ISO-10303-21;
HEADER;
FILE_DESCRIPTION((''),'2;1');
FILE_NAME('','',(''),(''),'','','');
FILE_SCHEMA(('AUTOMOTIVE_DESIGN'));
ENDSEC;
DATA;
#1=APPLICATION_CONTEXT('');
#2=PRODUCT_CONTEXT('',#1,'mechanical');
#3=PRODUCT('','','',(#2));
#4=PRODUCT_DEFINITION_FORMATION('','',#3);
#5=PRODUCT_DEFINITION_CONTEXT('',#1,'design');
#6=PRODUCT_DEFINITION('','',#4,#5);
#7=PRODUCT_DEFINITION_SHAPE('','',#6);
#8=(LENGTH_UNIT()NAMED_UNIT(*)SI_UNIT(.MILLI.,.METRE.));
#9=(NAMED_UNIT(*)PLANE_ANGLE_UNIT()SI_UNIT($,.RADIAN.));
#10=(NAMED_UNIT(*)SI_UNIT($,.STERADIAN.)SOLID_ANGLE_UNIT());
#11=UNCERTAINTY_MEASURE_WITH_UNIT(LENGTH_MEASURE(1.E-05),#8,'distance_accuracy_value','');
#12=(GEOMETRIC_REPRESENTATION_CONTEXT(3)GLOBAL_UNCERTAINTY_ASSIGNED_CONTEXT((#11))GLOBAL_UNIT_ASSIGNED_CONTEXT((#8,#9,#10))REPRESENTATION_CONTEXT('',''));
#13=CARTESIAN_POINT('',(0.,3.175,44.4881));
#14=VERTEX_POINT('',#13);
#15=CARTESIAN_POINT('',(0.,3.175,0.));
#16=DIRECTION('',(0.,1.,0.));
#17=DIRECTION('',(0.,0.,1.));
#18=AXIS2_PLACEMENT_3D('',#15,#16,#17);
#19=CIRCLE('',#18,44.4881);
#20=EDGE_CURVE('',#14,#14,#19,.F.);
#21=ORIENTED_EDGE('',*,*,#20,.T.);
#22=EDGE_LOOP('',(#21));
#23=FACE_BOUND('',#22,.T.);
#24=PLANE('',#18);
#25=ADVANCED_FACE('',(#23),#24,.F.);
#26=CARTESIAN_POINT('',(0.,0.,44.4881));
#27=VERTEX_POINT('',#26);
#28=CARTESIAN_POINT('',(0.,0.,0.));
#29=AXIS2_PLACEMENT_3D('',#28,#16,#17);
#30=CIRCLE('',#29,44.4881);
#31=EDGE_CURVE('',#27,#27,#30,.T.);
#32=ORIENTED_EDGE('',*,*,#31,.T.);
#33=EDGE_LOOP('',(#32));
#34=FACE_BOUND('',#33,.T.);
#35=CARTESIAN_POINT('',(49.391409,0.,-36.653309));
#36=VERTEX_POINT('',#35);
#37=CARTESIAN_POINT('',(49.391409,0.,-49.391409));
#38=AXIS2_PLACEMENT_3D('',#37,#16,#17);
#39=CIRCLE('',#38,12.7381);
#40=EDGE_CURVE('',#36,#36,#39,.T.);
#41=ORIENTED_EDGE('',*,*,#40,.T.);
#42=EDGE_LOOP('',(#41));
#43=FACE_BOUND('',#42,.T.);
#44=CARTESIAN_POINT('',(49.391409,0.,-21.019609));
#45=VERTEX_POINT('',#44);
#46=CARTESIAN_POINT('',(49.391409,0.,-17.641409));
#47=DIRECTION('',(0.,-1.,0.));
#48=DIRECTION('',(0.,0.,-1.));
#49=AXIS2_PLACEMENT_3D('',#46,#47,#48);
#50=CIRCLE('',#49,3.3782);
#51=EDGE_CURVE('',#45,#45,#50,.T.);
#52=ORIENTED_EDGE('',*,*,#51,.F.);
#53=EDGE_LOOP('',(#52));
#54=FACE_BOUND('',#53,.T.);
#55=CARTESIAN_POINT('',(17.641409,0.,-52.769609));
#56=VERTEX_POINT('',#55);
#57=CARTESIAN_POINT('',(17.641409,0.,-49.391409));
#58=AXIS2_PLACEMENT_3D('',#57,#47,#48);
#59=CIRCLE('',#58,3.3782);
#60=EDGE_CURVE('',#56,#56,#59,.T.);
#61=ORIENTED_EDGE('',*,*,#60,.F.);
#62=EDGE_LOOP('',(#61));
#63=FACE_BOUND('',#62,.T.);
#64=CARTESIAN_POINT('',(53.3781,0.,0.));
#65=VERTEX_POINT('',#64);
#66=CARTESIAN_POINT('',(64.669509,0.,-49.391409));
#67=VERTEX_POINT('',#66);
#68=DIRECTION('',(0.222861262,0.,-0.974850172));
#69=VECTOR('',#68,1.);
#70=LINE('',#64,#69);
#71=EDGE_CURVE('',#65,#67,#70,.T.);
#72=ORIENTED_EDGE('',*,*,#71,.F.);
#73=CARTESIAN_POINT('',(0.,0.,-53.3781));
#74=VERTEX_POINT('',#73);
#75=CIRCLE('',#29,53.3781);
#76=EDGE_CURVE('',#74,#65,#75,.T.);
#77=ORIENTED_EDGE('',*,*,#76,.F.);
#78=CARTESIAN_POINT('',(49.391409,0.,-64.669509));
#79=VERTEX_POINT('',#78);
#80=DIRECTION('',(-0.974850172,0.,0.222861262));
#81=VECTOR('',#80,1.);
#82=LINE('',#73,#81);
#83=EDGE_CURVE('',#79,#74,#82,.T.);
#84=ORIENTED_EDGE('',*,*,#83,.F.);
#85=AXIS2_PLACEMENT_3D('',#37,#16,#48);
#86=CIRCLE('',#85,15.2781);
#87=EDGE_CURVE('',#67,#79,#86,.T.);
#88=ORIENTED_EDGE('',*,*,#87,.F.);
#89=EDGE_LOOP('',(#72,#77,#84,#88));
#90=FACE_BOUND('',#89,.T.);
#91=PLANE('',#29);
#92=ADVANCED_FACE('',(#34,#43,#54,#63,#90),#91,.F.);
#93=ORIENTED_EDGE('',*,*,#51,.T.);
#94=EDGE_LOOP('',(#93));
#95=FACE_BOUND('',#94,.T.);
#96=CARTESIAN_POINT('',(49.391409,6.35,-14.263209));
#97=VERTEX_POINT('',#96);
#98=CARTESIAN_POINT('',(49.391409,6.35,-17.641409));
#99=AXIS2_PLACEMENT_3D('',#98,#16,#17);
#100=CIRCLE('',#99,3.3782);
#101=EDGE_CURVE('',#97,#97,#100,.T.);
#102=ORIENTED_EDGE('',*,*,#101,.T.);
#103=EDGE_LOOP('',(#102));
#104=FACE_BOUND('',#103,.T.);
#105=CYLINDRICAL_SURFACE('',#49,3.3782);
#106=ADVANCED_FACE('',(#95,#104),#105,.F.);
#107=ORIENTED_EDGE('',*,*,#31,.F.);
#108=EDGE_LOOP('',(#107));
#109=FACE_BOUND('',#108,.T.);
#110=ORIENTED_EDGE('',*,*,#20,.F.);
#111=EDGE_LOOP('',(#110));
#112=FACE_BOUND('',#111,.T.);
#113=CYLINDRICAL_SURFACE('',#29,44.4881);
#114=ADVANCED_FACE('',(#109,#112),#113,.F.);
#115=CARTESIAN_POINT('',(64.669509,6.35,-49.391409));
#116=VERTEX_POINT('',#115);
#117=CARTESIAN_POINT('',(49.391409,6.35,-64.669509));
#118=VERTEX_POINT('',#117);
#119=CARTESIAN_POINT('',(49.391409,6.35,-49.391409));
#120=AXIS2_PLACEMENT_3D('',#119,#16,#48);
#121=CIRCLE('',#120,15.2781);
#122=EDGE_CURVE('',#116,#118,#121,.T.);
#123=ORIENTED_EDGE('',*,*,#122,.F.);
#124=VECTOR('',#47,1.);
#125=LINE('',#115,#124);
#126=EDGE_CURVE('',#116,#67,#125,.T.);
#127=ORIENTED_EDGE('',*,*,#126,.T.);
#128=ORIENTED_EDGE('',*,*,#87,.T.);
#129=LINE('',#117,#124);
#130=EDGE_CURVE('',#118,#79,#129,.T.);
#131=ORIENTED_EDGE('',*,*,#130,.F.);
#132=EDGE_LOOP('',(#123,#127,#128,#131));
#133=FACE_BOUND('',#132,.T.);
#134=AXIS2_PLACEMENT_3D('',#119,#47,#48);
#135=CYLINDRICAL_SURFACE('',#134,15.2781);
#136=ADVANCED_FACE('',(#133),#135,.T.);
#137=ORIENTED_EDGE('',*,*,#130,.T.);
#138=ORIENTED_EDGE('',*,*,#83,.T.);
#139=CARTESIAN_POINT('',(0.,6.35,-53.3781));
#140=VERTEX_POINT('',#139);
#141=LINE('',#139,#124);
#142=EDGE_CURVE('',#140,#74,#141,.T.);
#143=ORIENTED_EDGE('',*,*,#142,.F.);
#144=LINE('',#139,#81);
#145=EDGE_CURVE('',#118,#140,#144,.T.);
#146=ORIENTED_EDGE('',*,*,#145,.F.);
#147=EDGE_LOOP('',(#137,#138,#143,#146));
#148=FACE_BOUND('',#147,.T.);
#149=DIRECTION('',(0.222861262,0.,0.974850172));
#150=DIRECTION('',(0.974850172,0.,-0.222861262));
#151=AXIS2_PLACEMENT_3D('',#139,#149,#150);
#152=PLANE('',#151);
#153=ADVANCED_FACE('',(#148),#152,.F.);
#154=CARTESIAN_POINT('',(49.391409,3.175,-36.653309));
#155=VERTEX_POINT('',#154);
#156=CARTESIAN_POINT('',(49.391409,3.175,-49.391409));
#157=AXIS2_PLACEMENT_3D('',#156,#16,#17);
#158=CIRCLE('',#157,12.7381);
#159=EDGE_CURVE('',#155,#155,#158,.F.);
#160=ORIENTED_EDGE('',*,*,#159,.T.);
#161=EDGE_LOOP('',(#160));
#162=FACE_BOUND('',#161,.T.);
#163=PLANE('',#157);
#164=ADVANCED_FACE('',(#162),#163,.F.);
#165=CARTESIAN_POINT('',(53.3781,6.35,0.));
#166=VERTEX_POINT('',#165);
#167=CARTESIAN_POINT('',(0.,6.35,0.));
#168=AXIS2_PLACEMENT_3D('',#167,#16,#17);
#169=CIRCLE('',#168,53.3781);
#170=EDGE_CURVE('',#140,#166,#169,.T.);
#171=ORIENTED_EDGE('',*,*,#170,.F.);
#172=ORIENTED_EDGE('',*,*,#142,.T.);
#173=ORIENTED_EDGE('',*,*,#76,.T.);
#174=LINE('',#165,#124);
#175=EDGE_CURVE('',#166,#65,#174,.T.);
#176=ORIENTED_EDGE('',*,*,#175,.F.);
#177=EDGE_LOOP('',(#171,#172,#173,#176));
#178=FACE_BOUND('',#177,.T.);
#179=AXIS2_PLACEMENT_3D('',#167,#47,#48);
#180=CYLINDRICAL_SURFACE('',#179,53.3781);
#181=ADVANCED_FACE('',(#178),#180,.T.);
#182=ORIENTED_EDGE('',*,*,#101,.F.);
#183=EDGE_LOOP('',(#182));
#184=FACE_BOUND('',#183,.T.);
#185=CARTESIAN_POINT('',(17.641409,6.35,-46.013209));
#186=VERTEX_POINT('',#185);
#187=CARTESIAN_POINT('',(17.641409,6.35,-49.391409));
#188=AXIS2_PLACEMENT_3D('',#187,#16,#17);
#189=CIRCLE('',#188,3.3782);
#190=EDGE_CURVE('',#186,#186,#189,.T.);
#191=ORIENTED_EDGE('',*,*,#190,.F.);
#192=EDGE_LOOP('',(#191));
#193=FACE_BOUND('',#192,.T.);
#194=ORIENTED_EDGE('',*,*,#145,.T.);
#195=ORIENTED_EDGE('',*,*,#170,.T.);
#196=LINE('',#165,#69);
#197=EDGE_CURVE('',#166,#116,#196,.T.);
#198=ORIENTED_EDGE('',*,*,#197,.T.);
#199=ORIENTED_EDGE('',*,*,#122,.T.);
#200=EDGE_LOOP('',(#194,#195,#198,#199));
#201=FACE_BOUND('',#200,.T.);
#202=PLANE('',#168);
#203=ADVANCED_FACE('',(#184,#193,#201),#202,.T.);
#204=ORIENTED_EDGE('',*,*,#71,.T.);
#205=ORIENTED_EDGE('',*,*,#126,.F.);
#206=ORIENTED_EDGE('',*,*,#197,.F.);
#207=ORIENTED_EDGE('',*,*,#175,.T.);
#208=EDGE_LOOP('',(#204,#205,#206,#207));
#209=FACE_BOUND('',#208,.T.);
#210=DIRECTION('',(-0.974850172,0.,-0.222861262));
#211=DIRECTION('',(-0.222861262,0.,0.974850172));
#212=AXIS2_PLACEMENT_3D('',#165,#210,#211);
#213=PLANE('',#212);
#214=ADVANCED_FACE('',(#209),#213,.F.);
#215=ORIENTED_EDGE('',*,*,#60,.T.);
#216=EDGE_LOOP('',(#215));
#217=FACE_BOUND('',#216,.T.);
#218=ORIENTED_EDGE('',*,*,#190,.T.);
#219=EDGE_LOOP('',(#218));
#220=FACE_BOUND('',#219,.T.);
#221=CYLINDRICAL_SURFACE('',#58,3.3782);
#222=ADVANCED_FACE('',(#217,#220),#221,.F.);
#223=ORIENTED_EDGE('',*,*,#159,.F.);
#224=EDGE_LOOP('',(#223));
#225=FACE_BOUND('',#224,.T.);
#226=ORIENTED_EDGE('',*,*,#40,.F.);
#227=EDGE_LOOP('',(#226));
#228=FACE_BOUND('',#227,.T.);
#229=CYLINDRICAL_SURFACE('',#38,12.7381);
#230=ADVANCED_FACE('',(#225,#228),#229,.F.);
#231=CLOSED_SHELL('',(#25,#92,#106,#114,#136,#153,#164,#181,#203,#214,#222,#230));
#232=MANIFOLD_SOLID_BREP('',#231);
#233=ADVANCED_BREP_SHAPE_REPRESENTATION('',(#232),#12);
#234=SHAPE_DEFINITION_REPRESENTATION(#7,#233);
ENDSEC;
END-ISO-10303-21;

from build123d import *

# Parameters (mm, degrees)
BOSS_EXTRUDE1_DEPTH         = 6.35
SKETCH3_R                   = 44.4881
SKETCH3_R_2                 = 12.7381
CUT_EXTRUDE1_DEPTH          = 7.35
F_1_4_CLEARANCE_HOLE1_D     = 6.7564
F_1_4_CLEARANCE_HOLE1_DEPTH = 25.4
F_1_4_CLEARANCE_HOLE1_TIP   = 2.029827343
SKETCH11_R                  = 44.4881
BOSS_EXTRUDE3_DEPTH         = 3.175
SKETCH12_R                  = 12.7381
BOSS_EXTRUDE4_DEPTH         = 3.175


with BuildPart() as part:
    # Sketch1 → Boss-Extrude1 (new body)
    with BuildSketch(Plane(origin=(0, 0, 0), x_dir=(1, 0, 0), z_dir=(0, 1, 0))):
        with BuildLine():
            Line((0, 53.3781), (49.391408666, 64.669508666))
            ThreePointArc((49.391408666, 64.669508666), (60.19465678, 60.19465678), (64.669508666, 49.391408666))
            Line((64.669508666, 49.391408666), (53.3781, 0))
            ThreePointArc((53.3781, 0), (-37.744016477, -37.744016477), (0, 53.3781))
        make_face()
    extrude(amount=BOSS_EXTRUDE1_DEPTH)

    # Sketch3 → Cut-Extrude1 (cut, through all)
    with BuildSketch(Plane(origin=(0, 6.35, 0), x_dir=(1, 0, 0), z_dir=(0, 1, 0))):
        Circle(SKETCH3_R)
        with Locations((49.391408666, 49.391408666)):
            Circle(SKETCH3_R_2)
    extrude(amount=-CUT_EXTRUDE1_DEPTH, mode=Mode.SUBTRACT)

    # 1/4 Clearance Hole1
    with Locations(Plane.XZ):
        with Locations((49.391408666, -17.641408666), (17.641408666, -49.391408666)):
            Hole(F_1_4_CLEARANCE_HOLE1_D / 2, depth=F_1_4_CLEARANCE_HOLE1_DEPTH)
            with Locations((0, 0, -(F_1_4_CLEARANCE_HOLE1_DEPTH + F_1_4_CLEARANCE_HOLE1_TIP / 2))):  # 118° drill point
                Cone(0, F_1_4_CLEARANCE_HOLE1_D / 2, F_1_4_CLEARANCE_HOLE1_TIP, mode=Mode.SUBTRACT)

    # Sketch11 → Boss-Extrude3 (add)
    with BuildSketch(Plane(origin=(0, 6.35, 0), x_dir=(-1, 0, 0), z_dir=(0, 1, 0))):
        Circle(SKETCH11_R)
    extrude(amount=-BOSS_EXTRUDE3_DEPTH)

    # Sketch12 → Boss-Extrude4 (add)
    with BuildSketch(Plane(origin=(0, 6.35, 0), x_dir=(-1, 0, 0), z_dir=(0, 1, 0))):
        with Locations((-49.391408666, -49.391408666)):
            Circle(SKETCH12_R)
    extrude(amount=-BOSS_EXTRUDE4_DEPTH)


solid = part.part
